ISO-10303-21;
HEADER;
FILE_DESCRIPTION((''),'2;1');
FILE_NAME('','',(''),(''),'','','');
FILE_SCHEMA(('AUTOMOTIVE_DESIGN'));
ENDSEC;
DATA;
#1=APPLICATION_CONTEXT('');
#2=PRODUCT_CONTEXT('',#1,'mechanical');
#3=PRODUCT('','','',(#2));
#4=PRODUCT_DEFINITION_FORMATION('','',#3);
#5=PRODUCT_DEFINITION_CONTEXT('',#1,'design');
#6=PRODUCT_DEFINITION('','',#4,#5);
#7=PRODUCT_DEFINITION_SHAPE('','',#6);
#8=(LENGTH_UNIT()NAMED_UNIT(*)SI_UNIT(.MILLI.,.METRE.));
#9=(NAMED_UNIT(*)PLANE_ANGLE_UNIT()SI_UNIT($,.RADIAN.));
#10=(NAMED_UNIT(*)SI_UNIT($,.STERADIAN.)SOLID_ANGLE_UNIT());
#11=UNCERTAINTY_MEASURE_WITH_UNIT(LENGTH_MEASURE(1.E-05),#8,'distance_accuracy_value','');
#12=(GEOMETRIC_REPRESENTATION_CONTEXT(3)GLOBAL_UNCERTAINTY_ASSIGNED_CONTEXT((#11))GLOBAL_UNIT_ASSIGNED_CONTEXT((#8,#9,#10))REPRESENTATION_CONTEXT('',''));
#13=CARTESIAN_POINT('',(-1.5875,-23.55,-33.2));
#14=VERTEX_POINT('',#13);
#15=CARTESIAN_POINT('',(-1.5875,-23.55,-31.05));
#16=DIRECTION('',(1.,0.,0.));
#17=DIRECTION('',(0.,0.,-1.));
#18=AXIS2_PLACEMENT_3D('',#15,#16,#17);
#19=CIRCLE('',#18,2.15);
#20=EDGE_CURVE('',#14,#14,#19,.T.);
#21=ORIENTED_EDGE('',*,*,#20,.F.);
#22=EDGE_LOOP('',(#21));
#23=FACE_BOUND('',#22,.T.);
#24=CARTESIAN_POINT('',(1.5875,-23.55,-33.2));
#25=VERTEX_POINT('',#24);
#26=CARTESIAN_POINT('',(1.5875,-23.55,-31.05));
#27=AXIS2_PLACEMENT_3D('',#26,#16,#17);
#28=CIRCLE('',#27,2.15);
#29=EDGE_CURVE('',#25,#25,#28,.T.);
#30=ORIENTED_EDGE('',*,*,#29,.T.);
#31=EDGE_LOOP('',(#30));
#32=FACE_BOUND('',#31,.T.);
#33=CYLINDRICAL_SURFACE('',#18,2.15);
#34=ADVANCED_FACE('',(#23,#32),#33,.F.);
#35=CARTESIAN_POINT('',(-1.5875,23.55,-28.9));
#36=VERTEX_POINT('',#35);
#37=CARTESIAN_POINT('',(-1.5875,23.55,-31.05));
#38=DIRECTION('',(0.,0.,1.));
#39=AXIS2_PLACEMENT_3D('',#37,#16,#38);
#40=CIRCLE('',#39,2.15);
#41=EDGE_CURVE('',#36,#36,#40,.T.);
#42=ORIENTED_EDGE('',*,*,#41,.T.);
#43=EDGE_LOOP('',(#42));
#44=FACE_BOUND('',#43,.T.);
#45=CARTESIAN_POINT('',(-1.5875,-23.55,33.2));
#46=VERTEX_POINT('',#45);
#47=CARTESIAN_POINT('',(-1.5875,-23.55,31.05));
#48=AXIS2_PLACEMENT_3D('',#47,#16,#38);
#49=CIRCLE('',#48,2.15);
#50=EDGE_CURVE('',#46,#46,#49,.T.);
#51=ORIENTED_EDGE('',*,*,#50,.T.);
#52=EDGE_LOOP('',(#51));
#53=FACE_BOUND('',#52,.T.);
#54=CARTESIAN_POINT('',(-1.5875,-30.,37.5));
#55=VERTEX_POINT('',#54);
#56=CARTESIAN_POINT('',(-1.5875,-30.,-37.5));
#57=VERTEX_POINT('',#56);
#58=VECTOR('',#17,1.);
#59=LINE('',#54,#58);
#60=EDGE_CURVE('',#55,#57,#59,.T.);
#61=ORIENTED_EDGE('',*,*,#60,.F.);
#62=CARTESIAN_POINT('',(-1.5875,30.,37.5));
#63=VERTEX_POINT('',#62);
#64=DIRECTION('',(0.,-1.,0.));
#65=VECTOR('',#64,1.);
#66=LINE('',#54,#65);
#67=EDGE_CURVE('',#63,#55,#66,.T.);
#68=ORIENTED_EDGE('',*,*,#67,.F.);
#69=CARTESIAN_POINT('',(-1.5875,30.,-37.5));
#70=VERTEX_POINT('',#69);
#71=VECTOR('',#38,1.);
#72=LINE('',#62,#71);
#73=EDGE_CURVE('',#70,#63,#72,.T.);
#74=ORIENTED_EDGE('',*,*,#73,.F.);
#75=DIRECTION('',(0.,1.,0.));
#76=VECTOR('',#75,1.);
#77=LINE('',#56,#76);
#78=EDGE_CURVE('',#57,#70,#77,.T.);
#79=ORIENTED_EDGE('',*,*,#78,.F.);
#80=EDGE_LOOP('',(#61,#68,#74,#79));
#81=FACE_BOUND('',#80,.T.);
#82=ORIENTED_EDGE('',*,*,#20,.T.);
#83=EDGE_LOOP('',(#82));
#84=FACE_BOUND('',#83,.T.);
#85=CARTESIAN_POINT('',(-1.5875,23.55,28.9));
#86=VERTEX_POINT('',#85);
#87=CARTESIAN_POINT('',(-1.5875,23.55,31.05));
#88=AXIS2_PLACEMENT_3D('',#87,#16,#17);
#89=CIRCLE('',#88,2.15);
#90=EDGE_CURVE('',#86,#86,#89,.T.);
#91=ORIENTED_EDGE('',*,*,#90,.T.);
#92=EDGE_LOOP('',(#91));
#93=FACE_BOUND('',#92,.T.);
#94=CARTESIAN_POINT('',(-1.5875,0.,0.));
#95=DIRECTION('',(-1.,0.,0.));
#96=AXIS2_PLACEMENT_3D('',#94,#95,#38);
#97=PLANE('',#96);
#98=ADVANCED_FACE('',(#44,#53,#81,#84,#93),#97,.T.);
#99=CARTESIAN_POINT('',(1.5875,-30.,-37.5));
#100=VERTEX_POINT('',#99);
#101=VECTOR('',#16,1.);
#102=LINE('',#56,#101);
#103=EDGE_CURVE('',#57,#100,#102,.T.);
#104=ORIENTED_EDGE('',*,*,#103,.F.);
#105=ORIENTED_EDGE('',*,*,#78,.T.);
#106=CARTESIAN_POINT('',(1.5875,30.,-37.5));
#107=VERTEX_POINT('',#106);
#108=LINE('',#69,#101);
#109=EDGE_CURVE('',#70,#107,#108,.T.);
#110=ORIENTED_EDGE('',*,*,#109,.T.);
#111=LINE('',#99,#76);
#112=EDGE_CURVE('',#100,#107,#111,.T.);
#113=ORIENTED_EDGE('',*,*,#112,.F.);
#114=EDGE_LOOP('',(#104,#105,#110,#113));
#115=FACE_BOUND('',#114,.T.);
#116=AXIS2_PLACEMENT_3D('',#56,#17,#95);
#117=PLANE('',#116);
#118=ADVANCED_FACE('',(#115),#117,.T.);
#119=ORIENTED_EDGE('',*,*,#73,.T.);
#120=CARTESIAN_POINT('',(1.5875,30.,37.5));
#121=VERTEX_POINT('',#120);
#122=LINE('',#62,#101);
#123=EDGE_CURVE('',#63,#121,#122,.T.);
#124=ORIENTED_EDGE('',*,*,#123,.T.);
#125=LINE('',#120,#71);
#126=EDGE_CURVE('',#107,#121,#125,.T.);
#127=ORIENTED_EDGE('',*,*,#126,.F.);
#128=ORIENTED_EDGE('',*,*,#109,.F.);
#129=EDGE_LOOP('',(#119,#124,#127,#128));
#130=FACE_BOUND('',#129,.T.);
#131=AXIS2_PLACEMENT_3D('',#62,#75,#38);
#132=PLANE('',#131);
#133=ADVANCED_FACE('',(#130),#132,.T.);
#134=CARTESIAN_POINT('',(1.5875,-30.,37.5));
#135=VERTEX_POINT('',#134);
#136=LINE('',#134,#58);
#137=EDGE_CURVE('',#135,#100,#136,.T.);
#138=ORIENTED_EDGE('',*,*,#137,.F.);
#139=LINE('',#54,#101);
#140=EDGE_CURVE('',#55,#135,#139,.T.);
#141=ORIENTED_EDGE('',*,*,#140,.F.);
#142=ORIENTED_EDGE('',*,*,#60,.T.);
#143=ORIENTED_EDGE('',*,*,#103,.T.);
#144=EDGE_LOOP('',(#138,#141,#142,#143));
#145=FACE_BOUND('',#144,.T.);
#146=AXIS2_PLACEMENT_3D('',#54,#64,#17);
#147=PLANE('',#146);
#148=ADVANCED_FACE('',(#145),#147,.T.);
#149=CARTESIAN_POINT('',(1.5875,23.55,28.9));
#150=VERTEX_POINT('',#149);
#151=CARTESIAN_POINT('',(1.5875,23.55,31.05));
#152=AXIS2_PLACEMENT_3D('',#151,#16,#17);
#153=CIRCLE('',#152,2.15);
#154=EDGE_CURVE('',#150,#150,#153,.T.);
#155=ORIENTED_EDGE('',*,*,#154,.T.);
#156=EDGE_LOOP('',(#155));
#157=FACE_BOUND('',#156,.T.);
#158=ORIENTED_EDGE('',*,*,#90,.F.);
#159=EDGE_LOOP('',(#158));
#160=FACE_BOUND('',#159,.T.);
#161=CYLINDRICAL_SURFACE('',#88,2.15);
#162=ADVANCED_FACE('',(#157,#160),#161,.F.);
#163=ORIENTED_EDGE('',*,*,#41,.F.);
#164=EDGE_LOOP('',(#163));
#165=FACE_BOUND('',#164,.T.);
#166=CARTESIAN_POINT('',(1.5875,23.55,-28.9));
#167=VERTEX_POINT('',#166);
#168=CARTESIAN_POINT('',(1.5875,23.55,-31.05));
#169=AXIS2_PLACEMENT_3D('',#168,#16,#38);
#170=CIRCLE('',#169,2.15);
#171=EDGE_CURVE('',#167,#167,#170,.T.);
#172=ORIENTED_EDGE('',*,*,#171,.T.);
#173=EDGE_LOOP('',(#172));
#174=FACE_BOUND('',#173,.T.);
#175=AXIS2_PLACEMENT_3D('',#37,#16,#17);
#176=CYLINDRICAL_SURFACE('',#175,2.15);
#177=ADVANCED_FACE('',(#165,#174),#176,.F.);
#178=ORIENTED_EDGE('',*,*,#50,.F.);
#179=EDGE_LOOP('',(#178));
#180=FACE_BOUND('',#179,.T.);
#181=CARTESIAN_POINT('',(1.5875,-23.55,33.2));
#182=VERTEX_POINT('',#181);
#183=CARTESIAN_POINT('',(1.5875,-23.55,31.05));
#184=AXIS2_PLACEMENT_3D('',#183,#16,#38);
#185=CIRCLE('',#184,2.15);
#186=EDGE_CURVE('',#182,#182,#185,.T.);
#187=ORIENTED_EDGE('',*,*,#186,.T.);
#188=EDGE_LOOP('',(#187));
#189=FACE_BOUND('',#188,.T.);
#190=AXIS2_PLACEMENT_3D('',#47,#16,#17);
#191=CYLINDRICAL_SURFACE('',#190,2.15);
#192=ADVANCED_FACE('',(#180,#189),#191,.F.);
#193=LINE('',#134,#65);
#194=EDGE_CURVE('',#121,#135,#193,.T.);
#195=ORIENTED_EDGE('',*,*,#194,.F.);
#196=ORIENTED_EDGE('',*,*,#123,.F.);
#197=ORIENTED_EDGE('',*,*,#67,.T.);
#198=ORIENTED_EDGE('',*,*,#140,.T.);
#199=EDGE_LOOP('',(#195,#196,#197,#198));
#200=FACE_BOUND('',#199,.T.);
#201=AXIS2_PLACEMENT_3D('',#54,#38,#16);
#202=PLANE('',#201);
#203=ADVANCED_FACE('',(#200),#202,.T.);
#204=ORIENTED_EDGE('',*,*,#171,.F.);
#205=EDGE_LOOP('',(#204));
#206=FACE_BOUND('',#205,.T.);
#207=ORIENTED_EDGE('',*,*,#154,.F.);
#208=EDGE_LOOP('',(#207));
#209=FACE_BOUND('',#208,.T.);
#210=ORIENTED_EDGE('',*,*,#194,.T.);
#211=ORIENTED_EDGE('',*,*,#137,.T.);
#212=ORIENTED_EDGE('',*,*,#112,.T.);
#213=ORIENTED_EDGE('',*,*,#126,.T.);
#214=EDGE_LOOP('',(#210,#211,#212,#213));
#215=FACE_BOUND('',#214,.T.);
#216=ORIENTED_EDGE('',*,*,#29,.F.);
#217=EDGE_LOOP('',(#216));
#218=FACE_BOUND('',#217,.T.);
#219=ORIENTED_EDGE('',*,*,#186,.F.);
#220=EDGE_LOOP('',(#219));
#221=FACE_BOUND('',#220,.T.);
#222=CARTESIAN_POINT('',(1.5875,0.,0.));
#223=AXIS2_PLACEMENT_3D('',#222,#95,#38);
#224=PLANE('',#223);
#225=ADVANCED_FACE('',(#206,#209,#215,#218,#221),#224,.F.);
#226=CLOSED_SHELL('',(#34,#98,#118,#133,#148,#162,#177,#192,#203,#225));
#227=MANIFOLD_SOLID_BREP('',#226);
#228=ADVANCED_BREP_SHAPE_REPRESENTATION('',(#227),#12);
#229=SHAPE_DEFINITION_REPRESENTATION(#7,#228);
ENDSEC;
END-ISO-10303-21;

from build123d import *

# Parameters (mm, degrees)
BOSS_EXTRUDE1_DEPTH      = 1.5875
BOSS_EXTRUDE1_DEPTH_BACK = 1.5875
SKETCH1_W                = 75
SKETCH1_H                = 60
CUT_EXTRUDE1_DEPTH       = 49.049663435
CUT_EXTRUDE1_DEPTH_BACK  = 49.049663435
SKETCH2_R                = 2.15


with BuildPart() as part:
    # Sketch1 → Boss-Extrude1 (new, two sides: drawn at the far end of the back side and taken through both)
    with BuildSketch(Plane(origin=(0, 0, 0), x_dir=(0, 0, -1), z_dir=(1, 0, 0)).offset(-BOSS_EXTRUDE1_DEPTH_BACK)):
        Rectangle(SKETCH1_W, SKETCH1_H)
    extrude(amount=BOSS_EXTRUDE1_DEPTH + BOSS_EXTRUDE1_DEPTH_BACK)

    # Sketch2 → Cut-Extrude1 (cut, two sides: drawn at the far end of the back side and taken through both)
    with BuildSketch(Plane(origin=(0, 0, 0), x_dir=(0, 0, -1), z_dir=(1, 0, 0)).offset(-CUT_EXTRUDE1_DEPTH_BACK)):
        with Locations((-31.05, 23.55)):
            Circle(SKETCH2_R)
        with Locations((31.05, 23.55)):
            Circle(SKETCH2_R)
        with Locations((31.05, -23.55)):
            Circle(SKETCH2_R)
        with Locations((-31.05, -23.55)):
            Circle(SKETCH2_R)
    extrude(amount=CUT_EXTRUDE1_DEPTH + CUT_EXTRUDE1_DEPTH_BACK, mode=Mode.SUBTRACT)


solid = part.part
